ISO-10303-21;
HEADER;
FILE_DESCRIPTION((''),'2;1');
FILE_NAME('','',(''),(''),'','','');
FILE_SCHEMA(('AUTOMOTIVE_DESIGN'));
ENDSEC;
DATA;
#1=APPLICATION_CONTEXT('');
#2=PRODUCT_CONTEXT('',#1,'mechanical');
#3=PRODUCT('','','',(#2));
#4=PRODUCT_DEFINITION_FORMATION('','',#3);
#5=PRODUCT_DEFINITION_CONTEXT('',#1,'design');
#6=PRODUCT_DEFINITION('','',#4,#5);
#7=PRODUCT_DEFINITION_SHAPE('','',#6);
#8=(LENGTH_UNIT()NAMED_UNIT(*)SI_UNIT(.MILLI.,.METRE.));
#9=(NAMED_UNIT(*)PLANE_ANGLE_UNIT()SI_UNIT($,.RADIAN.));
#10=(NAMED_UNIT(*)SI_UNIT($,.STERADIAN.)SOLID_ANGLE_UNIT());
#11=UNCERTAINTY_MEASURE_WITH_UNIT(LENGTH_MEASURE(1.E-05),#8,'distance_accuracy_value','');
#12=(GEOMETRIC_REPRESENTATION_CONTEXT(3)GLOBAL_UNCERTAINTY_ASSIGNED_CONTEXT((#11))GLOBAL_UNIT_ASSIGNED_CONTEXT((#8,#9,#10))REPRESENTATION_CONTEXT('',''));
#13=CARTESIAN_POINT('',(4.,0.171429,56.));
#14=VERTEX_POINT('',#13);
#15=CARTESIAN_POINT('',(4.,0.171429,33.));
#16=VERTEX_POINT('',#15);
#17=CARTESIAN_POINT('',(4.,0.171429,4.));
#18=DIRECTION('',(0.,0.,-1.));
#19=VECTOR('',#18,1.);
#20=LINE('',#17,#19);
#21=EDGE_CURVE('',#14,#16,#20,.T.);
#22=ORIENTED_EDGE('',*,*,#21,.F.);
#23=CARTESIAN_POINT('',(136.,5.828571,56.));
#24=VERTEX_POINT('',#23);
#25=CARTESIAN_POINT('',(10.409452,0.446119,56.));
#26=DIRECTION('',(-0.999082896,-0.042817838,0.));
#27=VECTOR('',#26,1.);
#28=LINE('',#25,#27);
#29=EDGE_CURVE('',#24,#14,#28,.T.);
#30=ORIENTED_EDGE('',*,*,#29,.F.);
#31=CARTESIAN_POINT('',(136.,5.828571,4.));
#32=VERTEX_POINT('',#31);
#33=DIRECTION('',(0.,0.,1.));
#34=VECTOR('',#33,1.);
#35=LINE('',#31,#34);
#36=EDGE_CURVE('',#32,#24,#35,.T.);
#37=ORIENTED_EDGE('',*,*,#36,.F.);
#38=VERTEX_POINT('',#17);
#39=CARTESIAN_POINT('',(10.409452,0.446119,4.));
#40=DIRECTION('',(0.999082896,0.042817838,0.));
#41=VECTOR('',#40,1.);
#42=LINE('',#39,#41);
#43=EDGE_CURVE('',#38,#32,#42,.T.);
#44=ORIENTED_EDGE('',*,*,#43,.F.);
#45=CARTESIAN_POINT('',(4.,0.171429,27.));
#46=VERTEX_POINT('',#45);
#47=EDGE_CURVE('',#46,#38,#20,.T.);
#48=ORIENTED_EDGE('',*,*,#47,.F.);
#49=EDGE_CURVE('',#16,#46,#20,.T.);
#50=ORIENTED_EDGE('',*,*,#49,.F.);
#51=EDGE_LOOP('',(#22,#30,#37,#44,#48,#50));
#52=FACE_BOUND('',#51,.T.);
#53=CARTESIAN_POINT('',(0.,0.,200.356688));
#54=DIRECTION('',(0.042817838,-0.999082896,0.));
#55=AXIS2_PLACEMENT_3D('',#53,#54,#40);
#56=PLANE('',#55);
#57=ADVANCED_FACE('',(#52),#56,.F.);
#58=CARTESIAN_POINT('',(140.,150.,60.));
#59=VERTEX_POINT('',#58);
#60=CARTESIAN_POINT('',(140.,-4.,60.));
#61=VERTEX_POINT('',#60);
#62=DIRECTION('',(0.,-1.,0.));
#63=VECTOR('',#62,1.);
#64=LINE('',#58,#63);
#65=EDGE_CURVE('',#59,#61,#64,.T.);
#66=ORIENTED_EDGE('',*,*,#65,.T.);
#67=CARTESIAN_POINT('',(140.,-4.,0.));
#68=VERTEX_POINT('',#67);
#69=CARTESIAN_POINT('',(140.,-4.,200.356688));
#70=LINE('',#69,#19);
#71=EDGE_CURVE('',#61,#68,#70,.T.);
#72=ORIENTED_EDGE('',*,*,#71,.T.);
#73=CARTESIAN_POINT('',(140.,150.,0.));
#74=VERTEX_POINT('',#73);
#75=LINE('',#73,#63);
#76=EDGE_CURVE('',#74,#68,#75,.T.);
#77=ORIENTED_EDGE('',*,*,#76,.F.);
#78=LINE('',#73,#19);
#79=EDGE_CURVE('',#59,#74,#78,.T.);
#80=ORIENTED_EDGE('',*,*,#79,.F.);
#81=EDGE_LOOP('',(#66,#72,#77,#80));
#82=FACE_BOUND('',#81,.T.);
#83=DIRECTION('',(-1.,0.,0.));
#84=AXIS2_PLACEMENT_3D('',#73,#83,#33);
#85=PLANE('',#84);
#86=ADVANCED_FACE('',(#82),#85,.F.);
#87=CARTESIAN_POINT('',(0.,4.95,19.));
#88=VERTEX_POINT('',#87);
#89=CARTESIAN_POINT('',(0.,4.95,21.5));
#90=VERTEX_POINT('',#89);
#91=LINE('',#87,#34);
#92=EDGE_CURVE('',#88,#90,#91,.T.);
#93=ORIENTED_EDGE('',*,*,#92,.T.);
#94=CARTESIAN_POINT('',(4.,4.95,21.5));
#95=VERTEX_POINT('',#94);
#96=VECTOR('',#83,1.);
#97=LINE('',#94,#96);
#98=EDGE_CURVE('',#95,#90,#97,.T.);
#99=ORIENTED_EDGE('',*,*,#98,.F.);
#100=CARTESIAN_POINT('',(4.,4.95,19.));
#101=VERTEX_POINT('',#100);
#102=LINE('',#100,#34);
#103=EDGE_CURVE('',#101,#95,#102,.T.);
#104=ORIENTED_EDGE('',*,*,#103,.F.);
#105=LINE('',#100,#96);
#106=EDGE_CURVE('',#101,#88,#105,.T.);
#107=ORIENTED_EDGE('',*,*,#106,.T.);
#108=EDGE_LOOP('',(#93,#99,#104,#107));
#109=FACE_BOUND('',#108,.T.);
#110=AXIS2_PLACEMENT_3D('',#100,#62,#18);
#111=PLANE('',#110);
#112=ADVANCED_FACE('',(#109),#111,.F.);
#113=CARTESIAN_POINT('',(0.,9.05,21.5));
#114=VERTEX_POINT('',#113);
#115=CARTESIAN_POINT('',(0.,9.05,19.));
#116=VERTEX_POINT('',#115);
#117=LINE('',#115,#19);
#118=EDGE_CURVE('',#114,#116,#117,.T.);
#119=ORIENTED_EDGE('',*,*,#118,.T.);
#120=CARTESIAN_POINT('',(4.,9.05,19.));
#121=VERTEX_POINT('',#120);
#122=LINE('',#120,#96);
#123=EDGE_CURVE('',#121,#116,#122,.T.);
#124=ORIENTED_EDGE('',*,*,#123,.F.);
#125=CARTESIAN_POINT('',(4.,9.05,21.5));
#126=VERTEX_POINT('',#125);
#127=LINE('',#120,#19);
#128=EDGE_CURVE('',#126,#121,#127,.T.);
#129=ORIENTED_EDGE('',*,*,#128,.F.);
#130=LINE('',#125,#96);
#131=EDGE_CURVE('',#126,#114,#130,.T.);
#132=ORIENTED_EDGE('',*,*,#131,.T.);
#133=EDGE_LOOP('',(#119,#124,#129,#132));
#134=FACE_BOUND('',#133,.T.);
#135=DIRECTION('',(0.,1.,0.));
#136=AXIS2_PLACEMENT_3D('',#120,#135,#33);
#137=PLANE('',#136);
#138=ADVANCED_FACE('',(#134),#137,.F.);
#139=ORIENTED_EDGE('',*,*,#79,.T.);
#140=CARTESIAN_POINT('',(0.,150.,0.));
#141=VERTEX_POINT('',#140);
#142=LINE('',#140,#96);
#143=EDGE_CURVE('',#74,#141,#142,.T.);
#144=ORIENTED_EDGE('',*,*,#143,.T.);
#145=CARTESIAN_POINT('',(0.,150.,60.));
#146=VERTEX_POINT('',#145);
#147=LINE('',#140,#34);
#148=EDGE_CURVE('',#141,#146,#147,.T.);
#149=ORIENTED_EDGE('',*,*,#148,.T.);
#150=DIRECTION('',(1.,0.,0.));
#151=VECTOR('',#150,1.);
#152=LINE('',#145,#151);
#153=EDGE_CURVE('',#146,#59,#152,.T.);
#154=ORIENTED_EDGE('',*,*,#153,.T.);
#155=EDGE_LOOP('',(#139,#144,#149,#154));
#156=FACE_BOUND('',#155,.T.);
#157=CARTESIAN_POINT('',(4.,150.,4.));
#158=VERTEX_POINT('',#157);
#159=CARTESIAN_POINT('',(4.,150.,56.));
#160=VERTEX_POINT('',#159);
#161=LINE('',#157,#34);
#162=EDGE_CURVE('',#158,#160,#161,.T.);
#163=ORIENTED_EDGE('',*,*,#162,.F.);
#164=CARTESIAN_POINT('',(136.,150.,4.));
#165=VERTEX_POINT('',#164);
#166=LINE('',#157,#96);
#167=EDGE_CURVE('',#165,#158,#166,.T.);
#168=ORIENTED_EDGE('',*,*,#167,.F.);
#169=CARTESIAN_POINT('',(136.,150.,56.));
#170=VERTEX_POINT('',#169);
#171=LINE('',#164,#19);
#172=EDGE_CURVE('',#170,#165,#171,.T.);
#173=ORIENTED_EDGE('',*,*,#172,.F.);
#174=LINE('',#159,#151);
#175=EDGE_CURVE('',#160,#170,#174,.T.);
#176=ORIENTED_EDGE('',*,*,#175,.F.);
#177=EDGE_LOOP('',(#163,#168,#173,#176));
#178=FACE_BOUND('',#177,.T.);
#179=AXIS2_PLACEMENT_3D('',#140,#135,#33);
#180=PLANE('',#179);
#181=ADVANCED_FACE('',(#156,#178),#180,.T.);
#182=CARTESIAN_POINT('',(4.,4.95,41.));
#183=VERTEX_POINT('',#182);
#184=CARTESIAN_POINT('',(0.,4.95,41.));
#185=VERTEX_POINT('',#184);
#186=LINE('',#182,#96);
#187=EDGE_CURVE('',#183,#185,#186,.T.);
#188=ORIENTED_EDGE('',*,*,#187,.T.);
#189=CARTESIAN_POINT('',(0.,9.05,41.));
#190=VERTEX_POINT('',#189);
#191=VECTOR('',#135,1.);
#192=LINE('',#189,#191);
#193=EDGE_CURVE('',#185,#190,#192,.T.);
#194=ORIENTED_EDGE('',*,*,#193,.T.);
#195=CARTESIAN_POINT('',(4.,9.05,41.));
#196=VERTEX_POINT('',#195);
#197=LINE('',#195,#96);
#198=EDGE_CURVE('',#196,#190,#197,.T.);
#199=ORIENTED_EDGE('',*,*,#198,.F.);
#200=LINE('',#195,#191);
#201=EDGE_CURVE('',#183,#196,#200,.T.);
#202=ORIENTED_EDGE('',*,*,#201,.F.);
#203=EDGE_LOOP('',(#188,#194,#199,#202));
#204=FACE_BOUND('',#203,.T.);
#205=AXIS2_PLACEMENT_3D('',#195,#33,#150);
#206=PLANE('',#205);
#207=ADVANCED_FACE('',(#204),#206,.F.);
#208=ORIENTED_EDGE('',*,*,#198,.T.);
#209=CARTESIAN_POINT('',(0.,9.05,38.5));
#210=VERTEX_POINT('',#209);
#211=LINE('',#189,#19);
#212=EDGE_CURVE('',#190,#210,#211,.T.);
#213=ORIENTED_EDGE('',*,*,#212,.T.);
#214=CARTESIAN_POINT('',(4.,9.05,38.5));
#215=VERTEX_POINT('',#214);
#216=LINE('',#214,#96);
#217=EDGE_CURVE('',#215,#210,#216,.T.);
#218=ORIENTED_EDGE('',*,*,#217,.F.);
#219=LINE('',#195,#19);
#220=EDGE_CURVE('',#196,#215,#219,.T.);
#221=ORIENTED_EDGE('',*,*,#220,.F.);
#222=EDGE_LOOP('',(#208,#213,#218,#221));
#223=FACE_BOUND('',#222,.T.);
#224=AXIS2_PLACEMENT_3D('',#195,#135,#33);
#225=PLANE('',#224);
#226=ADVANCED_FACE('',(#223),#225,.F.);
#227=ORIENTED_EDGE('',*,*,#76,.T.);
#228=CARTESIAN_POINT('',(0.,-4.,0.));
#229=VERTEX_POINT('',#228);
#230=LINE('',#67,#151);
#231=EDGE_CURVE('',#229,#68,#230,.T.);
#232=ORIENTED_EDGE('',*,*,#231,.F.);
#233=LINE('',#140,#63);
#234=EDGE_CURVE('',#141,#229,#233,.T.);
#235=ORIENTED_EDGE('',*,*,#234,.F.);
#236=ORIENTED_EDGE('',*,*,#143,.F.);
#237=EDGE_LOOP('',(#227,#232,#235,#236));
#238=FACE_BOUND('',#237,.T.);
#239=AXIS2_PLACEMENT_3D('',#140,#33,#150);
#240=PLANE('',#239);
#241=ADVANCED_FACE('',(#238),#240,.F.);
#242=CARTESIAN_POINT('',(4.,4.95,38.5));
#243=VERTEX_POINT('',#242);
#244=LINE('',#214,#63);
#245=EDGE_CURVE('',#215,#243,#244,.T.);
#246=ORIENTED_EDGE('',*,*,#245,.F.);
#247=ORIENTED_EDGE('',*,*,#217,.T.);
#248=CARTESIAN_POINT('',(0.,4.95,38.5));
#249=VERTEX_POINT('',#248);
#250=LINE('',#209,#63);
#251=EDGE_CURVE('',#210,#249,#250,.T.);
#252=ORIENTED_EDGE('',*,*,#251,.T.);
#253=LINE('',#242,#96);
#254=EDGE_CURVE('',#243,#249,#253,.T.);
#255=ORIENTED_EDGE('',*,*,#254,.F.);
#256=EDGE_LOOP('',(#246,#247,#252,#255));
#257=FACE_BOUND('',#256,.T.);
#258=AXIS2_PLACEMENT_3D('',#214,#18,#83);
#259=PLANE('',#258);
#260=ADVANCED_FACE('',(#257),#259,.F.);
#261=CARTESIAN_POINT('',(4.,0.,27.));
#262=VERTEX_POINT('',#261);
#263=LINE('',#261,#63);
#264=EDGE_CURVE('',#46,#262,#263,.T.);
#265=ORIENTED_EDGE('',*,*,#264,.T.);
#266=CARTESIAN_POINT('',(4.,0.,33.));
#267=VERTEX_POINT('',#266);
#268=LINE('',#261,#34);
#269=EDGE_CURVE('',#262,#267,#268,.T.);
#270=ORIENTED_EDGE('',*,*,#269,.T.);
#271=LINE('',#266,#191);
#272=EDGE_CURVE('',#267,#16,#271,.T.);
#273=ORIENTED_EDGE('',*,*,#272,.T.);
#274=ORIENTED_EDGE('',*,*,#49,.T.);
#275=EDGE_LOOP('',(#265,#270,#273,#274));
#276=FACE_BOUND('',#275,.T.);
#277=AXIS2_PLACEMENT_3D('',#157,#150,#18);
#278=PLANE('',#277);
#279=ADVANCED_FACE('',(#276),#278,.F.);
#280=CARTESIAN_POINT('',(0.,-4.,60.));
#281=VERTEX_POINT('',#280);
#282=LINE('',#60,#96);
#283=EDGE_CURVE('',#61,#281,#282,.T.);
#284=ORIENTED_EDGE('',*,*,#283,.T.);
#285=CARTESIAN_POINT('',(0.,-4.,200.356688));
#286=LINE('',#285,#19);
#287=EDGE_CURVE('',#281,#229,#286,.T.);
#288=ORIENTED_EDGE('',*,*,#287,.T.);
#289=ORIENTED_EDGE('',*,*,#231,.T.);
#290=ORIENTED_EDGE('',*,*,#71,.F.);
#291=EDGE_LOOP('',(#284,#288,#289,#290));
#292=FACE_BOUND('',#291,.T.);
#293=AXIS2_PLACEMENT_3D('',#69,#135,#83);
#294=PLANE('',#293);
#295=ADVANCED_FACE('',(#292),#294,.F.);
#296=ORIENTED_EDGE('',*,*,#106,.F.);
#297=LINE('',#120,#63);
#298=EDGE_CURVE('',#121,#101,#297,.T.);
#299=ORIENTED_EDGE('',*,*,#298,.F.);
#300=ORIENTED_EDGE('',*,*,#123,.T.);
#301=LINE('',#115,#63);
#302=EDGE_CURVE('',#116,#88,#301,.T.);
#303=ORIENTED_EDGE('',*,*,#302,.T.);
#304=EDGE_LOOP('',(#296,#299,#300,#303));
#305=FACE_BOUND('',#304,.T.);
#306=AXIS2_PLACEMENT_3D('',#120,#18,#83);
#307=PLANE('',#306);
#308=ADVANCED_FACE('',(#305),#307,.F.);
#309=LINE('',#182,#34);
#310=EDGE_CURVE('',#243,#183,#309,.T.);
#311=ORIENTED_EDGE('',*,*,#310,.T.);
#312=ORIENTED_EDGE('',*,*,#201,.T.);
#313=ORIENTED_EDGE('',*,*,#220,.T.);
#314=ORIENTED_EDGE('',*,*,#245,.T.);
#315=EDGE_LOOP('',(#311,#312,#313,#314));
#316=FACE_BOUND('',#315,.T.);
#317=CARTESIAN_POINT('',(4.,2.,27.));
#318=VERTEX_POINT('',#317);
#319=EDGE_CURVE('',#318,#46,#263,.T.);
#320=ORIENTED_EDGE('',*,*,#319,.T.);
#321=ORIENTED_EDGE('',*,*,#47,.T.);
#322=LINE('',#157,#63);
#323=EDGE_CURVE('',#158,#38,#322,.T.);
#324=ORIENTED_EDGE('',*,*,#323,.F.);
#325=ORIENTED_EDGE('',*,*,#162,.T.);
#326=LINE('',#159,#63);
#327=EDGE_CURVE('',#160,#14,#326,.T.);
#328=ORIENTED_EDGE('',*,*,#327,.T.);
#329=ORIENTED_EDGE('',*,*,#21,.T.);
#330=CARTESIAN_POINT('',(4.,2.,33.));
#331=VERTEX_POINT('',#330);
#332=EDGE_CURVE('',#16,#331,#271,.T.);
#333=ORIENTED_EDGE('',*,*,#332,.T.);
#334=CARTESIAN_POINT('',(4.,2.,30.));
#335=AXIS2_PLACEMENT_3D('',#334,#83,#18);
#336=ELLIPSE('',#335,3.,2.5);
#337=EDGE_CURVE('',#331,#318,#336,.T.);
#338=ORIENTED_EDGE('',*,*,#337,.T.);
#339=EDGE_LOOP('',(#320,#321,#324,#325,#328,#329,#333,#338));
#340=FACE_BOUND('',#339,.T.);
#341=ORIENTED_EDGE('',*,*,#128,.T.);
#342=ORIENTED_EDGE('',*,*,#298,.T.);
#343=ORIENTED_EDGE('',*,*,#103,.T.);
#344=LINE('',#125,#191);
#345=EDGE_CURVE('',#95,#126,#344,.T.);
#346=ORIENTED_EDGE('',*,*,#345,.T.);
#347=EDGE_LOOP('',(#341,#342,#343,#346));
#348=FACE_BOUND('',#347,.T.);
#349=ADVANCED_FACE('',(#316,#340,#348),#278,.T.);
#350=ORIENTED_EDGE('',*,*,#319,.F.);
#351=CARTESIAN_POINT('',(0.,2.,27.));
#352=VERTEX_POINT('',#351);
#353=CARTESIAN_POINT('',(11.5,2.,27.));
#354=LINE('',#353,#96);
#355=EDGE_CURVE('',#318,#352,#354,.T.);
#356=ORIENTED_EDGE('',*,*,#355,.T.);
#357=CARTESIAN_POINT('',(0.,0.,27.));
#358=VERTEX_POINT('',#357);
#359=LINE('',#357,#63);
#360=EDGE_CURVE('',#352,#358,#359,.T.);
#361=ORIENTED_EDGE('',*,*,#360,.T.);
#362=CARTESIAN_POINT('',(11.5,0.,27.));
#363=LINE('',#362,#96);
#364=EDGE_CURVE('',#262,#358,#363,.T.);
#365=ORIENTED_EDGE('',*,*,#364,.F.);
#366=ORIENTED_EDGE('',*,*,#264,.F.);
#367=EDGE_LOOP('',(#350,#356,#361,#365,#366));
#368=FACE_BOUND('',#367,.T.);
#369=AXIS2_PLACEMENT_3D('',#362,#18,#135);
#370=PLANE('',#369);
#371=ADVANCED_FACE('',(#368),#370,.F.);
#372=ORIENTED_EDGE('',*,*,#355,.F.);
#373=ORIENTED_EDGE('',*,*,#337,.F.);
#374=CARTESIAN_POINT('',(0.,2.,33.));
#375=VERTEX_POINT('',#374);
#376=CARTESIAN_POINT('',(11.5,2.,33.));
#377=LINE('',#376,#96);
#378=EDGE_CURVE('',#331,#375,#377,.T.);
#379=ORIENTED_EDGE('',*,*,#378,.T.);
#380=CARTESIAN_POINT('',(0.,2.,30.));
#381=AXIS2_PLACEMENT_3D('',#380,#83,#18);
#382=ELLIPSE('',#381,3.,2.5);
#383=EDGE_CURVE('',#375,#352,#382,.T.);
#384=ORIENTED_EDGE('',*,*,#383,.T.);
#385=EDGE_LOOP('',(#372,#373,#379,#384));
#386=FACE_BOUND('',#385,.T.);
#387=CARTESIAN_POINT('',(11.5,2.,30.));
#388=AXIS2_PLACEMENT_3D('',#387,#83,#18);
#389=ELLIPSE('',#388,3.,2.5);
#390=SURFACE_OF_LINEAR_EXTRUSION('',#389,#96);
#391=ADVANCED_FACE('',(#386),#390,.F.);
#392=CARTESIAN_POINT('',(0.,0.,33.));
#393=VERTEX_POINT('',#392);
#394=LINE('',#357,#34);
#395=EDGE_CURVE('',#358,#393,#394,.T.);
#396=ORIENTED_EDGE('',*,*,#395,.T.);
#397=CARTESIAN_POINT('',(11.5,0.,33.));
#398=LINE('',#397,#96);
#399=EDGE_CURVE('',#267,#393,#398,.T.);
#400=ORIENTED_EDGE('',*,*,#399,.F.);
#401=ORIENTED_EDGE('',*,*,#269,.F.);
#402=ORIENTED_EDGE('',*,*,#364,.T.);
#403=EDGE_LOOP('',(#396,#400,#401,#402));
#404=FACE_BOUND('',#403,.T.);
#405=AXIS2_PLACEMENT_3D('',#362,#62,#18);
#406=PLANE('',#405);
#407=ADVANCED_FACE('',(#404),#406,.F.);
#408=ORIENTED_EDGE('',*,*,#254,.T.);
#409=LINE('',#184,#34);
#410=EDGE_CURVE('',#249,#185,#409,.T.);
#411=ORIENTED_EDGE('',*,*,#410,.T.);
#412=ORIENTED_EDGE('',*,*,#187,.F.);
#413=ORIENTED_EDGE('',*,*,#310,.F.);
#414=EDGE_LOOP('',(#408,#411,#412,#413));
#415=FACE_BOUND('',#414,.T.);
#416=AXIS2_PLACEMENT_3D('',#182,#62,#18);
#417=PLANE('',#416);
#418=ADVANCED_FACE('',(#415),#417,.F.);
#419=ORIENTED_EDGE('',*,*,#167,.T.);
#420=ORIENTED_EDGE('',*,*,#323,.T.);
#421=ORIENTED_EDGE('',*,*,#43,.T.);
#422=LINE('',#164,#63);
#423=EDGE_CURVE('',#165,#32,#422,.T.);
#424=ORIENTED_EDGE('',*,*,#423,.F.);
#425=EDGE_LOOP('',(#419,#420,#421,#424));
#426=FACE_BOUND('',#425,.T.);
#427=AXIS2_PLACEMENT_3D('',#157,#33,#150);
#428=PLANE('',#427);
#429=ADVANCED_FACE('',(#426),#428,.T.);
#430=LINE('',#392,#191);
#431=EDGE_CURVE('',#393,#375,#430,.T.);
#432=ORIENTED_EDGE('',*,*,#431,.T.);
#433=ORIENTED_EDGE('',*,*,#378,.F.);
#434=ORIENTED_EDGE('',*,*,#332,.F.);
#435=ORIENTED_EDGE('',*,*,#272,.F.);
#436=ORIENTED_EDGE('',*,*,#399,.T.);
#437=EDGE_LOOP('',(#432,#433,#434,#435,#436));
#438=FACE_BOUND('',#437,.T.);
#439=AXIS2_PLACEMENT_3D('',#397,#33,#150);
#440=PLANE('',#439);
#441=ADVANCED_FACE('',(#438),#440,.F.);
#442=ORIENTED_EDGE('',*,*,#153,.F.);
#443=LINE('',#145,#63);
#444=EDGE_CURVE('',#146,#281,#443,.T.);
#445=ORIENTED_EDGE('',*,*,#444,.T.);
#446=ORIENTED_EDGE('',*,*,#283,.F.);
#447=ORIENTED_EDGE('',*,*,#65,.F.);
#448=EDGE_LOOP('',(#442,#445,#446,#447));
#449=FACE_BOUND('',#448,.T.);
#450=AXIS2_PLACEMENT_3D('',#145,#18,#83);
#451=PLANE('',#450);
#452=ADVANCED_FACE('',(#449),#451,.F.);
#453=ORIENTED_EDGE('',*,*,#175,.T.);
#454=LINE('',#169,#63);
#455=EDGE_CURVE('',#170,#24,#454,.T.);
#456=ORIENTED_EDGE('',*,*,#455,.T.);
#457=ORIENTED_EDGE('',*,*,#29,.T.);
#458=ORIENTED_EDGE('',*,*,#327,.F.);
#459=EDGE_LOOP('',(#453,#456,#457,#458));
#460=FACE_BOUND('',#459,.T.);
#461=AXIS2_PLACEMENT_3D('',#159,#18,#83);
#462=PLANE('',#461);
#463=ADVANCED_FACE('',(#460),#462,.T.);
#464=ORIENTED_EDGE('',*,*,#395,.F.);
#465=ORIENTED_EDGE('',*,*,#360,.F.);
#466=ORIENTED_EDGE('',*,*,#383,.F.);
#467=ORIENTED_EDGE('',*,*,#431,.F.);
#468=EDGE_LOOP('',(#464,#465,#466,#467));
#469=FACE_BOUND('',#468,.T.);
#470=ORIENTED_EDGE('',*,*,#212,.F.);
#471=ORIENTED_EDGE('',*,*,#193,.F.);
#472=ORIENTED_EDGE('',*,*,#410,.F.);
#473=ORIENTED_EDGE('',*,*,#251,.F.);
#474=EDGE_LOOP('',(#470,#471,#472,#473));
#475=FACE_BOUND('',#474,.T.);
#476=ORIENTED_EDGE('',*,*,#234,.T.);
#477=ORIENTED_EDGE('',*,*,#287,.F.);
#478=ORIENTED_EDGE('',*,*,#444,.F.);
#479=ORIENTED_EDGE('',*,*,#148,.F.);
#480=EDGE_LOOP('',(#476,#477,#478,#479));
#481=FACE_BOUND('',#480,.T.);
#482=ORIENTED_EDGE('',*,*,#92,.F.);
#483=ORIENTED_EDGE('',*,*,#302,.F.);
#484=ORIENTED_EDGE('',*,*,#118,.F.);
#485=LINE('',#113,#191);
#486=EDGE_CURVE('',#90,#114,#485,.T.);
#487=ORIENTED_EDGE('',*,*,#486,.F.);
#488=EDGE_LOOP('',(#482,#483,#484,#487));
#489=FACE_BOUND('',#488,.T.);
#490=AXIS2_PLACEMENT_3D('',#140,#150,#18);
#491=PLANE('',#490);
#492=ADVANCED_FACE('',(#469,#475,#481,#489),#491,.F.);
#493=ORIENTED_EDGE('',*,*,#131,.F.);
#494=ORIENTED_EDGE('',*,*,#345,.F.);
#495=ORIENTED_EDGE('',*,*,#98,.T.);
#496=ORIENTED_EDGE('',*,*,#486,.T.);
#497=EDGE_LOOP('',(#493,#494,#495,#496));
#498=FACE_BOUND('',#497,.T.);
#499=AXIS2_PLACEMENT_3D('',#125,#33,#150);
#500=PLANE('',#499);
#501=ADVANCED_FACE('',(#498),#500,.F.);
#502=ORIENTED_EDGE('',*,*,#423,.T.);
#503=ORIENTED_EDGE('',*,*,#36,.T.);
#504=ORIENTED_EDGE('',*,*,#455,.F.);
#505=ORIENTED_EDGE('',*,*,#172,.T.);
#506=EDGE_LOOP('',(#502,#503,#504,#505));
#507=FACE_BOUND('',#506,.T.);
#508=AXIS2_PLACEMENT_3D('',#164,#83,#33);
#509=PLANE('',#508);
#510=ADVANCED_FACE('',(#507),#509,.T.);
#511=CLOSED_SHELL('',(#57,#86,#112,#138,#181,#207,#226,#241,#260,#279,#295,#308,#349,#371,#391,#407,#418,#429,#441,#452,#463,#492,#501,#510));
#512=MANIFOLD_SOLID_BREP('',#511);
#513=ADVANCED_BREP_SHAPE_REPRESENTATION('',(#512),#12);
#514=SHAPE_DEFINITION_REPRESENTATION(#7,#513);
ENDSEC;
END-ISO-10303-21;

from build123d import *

# Parameters (mm, degrees)
SKETCH1_W           = 140
SKETCH1_H           = 60
SKETCH1_W_2         = 132
SKETCH1_H_2         = 52
BOSS_EXTRUDE1_DEPTH = 150
BOSS_EXTRUDE3_DEPTH = 60
CUT_EXTRUDE1_DEPTH  = 4
SKETCH5_W           = 2.5
SKETCH5_H           = 4.1
CUT_EXTRUDE2_DEPTH  = 4


with BuildPart() as part:
    # Sketch1 → Boss-Extrude1 (new body)
    with BuildSketch(Plane(origin=(0, 0, 0), x_dir=(1, 0, 0), z_dir=(0, 1, 0))):
        with Locations((70, -30)):
            Rectangle(SKETCH1_W, SKETCH1_H)
        with Locations((70, -30)):
            Rectangle(SKETCH1_W_2, SKETCH1_H_2, mode=Mode.SUBTRACT)
    extrude(amount=BOSS_EXTRUDE1_DEPTH)

    # Sketch3 → Boss-Extrude3 (add)
    with BuildSketch(Plane.XY):
        Polygon((0, 0), (140, 6), (140, -4), (0, -4), align=None)
    extrude(amount=BOSS_EXTRUDE3_DEPTH)

    # Sketch4 → Cut-Extrude1 (cut)
    with BuildSketch(Plane.ZY):
        with BuildLine():
            Line((27, 0), (33, 0))
            Line((33, 0), (33, 2))
            add(Edge.make_bspline(
                [(33, 2), (33, 4.5), (30, 4.5), (27, 4.5), (27, 2)],
                knots=[3.141592654, 3.141592654, 3.141592654, 4.71238898, 4.71238898, 6.283185307, 6.283185307, 6.283185307], degree=2, weights=[1, 0.707106781, 1, 0.707106781, 1]))
            Line((27, 2), (27, 0))
        make_face()
    extrude(amount=-CUT_EXTRUDE1_DEPTH, mode=Mode.SUBTRACT)

    # Sketch5 → Cut-Extrude2 (cut)
    with BuildSketch(Plane.ZY):
        with Locations((39.75, 7)):
            Rectangle(SKETCH5_W, SKETCH5_H)
        with Locations((20.25, 7)):
            Rectangle(SKETCH5_W, SKETCH5_H)
    extrude(amount=-CUT_EXTRUDE2_DEPTH, mode=Mode.SUBTRACT)


solid = part.part
